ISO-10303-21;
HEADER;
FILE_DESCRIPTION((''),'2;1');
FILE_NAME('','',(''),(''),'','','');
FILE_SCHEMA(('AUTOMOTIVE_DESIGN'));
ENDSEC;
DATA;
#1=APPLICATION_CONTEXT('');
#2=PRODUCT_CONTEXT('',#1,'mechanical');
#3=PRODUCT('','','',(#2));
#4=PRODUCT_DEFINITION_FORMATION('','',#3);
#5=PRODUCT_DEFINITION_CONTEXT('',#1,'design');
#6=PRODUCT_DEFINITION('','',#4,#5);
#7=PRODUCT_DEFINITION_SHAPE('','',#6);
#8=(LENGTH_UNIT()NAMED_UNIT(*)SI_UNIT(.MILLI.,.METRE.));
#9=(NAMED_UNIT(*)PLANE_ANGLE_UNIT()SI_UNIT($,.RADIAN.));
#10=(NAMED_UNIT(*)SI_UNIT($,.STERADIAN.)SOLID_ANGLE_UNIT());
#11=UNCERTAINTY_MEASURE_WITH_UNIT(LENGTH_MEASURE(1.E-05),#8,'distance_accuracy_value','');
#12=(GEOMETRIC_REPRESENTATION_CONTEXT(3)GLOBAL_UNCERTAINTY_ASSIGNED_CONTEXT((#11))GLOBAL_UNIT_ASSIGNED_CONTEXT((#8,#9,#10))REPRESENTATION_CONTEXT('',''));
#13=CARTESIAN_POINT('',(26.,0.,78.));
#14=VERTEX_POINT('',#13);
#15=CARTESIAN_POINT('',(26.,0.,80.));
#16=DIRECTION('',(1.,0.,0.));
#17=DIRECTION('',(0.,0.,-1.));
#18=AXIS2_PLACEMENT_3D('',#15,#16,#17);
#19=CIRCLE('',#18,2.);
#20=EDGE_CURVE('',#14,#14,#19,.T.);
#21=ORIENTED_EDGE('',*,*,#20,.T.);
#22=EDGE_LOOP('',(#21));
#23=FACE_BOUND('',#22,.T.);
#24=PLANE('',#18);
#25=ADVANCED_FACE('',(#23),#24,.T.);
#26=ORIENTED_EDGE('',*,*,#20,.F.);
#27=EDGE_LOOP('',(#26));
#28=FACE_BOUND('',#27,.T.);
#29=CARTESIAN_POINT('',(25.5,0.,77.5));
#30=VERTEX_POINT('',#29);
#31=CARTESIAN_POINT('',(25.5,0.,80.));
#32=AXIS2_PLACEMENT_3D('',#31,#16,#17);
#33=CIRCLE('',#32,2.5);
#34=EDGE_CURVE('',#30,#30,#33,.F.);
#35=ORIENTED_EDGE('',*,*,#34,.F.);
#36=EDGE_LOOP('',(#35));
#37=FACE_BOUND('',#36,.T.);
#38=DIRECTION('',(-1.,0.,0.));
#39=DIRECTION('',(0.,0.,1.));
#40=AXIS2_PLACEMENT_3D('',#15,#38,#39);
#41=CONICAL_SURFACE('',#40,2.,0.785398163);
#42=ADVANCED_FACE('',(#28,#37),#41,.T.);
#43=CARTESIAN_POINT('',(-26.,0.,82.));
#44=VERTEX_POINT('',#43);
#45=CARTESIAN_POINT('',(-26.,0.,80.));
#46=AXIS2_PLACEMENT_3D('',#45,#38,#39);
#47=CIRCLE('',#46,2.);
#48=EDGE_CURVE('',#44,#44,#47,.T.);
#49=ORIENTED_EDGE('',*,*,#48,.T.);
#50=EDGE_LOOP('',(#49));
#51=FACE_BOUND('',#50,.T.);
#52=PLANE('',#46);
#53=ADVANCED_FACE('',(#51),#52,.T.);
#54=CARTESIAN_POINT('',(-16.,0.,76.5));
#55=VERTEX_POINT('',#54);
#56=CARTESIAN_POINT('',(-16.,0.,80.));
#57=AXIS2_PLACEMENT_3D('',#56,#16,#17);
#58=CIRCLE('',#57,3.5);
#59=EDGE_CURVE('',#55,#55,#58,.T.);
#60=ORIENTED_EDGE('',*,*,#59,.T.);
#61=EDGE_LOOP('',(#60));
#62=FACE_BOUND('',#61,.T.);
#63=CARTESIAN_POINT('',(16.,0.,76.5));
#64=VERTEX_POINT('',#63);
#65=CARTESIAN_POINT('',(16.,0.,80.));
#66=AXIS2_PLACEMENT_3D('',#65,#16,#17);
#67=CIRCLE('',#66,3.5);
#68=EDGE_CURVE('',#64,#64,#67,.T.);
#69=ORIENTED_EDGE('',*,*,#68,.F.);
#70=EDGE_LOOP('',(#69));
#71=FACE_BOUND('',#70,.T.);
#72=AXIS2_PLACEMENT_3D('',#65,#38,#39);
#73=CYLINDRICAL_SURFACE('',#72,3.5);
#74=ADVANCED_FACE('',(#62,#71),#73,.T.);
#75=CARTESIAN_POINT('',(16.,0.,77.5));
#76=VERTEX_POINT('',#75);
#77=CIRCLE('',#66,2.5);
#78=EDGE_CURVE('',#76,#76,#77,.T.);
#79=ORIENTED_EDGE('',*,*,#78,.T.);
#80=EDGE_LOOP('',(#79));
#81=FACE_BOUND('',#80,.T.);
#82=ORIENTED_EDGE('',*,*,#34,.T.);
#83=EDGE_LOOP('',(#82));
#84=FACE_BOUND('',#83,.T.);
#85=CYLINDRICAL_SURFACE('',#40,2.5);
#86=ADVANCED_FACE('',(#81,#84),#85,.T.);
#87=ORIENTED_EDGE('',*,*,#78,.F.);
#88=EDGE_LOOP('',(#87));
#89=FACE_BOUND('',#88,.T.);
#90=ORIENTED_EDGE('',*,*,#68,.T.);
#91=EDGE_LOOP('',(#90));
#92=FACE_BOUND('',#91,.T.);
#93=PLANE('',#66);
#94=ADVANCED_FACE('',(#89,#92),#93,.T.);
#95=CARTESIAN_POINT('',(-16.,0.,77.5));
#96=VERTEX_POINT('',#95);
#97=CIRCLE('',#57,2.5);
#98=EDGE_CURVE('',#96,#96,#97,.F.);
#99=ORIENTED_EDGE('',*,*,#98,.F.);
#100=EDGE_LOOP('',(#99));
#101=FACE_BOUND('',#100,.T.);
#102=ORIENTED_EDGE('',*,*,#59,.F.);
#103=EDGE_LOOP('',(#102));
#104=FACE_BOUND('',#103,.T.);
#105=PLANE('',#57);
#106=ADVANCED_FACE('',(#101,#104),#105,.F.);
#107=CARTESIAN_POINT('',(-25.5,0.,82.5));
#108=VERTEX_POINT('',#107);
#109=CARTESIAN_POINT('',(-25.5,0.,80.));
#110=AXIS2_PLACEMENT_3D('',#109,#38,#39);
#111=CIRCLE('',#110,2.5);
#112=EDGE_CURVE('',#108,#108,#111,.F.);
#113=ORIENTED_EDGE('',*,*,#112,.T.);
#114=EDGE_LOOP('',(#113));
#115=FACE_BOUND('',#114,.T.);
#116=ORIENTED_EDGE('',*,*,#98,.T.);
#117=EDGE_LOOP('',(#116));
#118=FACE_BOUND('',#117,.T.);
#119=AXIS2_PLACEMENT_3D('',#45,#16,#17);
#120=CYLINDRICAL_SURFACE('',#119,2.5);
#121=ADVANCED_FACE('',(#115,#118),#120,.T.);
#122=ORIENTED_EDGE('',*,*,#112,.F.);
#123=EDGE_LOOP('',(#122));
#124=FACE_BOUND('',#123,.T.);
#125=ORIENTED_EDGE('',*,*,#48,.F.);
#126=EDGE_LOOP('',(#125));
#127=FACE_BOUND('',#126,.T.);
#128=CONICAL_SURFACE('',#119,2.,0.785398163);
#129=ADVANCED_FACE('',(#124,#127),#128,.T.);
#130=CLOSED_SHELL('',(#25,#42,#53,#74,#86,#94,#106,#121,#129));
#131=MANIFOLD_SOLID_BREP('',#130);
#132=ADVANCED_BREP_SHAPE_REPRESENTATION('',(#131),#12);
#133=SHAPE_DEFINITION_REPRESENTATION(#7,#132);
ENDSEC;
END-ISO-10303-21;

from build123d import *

# Parameters (mm, degrees)
SCHIZZO1_R                   = 3.5
ESTRUSIONE_ESTRUSIONE1_DEPTH = 16
SCHIZZO2_R                   = 2.5
ESTRUSIONE_ESTRUSIONE2_DEPTH = 10
ESTRUSIONE_ESTRUSIONE3_START = 10
SCHIZZO3_R                   = 2.5
ESTRUSIONE_ESTRUSIONE3_DEPTH = 10
SMUSSO1_SIZE                 = 0.5


with BuildPart() as part:
    # Schizzo1 → Estrusione-Estrusione1 (new, symmetric)
    with BuildSketch(Plane(origin=(0, 0, 0), x_dir=(0, 0, -1), z_dir=(1, 0, 0))):
        with Locations((-80, 0)):
            Circle(SCHIZZO1_R)
    extrude(amount=ESTRUSIONE_ESTRUSIONE1_DEPTH, both=True)

    # Schizzo2 → Estrusione-Estrusione2 (add)
    with BuildSketch(Plane(origin=(16, 0, 0), x_dir=(0, 0, -1), z_dir=(1, 0, 0))):
        with Locations((-80, 0)):
            Circle(SCHIZZO2_R)
    extrude(amount=ESTRUSIONE_ESTRUSIONE2_DEPTH)

    # Schizzo3 → Estrusione-Estrusione3 (add)
    with BuildSketch(Plane.ZY.offset(16).offset(ESTRUSIONE_ESTRUSIONE3_START)):
        with Locations(Location((80, 0, 0), (0, 0, 180))):
            Circle(SCHIZZO3_R)
    extrude(amount=-ESTRUSIONE_ESTRUSIONE3_DEPTH)

    # Smusso1
    smusso1_edges = [part.edges().sort_by_distance(p)[0] for p in [
        (-26, 0, 82.5),
        (26, 0, 82.5),
    ]]
    chamfer(smusso1_edges, length=SMUSSO1_SIZE)


solid = part.part
